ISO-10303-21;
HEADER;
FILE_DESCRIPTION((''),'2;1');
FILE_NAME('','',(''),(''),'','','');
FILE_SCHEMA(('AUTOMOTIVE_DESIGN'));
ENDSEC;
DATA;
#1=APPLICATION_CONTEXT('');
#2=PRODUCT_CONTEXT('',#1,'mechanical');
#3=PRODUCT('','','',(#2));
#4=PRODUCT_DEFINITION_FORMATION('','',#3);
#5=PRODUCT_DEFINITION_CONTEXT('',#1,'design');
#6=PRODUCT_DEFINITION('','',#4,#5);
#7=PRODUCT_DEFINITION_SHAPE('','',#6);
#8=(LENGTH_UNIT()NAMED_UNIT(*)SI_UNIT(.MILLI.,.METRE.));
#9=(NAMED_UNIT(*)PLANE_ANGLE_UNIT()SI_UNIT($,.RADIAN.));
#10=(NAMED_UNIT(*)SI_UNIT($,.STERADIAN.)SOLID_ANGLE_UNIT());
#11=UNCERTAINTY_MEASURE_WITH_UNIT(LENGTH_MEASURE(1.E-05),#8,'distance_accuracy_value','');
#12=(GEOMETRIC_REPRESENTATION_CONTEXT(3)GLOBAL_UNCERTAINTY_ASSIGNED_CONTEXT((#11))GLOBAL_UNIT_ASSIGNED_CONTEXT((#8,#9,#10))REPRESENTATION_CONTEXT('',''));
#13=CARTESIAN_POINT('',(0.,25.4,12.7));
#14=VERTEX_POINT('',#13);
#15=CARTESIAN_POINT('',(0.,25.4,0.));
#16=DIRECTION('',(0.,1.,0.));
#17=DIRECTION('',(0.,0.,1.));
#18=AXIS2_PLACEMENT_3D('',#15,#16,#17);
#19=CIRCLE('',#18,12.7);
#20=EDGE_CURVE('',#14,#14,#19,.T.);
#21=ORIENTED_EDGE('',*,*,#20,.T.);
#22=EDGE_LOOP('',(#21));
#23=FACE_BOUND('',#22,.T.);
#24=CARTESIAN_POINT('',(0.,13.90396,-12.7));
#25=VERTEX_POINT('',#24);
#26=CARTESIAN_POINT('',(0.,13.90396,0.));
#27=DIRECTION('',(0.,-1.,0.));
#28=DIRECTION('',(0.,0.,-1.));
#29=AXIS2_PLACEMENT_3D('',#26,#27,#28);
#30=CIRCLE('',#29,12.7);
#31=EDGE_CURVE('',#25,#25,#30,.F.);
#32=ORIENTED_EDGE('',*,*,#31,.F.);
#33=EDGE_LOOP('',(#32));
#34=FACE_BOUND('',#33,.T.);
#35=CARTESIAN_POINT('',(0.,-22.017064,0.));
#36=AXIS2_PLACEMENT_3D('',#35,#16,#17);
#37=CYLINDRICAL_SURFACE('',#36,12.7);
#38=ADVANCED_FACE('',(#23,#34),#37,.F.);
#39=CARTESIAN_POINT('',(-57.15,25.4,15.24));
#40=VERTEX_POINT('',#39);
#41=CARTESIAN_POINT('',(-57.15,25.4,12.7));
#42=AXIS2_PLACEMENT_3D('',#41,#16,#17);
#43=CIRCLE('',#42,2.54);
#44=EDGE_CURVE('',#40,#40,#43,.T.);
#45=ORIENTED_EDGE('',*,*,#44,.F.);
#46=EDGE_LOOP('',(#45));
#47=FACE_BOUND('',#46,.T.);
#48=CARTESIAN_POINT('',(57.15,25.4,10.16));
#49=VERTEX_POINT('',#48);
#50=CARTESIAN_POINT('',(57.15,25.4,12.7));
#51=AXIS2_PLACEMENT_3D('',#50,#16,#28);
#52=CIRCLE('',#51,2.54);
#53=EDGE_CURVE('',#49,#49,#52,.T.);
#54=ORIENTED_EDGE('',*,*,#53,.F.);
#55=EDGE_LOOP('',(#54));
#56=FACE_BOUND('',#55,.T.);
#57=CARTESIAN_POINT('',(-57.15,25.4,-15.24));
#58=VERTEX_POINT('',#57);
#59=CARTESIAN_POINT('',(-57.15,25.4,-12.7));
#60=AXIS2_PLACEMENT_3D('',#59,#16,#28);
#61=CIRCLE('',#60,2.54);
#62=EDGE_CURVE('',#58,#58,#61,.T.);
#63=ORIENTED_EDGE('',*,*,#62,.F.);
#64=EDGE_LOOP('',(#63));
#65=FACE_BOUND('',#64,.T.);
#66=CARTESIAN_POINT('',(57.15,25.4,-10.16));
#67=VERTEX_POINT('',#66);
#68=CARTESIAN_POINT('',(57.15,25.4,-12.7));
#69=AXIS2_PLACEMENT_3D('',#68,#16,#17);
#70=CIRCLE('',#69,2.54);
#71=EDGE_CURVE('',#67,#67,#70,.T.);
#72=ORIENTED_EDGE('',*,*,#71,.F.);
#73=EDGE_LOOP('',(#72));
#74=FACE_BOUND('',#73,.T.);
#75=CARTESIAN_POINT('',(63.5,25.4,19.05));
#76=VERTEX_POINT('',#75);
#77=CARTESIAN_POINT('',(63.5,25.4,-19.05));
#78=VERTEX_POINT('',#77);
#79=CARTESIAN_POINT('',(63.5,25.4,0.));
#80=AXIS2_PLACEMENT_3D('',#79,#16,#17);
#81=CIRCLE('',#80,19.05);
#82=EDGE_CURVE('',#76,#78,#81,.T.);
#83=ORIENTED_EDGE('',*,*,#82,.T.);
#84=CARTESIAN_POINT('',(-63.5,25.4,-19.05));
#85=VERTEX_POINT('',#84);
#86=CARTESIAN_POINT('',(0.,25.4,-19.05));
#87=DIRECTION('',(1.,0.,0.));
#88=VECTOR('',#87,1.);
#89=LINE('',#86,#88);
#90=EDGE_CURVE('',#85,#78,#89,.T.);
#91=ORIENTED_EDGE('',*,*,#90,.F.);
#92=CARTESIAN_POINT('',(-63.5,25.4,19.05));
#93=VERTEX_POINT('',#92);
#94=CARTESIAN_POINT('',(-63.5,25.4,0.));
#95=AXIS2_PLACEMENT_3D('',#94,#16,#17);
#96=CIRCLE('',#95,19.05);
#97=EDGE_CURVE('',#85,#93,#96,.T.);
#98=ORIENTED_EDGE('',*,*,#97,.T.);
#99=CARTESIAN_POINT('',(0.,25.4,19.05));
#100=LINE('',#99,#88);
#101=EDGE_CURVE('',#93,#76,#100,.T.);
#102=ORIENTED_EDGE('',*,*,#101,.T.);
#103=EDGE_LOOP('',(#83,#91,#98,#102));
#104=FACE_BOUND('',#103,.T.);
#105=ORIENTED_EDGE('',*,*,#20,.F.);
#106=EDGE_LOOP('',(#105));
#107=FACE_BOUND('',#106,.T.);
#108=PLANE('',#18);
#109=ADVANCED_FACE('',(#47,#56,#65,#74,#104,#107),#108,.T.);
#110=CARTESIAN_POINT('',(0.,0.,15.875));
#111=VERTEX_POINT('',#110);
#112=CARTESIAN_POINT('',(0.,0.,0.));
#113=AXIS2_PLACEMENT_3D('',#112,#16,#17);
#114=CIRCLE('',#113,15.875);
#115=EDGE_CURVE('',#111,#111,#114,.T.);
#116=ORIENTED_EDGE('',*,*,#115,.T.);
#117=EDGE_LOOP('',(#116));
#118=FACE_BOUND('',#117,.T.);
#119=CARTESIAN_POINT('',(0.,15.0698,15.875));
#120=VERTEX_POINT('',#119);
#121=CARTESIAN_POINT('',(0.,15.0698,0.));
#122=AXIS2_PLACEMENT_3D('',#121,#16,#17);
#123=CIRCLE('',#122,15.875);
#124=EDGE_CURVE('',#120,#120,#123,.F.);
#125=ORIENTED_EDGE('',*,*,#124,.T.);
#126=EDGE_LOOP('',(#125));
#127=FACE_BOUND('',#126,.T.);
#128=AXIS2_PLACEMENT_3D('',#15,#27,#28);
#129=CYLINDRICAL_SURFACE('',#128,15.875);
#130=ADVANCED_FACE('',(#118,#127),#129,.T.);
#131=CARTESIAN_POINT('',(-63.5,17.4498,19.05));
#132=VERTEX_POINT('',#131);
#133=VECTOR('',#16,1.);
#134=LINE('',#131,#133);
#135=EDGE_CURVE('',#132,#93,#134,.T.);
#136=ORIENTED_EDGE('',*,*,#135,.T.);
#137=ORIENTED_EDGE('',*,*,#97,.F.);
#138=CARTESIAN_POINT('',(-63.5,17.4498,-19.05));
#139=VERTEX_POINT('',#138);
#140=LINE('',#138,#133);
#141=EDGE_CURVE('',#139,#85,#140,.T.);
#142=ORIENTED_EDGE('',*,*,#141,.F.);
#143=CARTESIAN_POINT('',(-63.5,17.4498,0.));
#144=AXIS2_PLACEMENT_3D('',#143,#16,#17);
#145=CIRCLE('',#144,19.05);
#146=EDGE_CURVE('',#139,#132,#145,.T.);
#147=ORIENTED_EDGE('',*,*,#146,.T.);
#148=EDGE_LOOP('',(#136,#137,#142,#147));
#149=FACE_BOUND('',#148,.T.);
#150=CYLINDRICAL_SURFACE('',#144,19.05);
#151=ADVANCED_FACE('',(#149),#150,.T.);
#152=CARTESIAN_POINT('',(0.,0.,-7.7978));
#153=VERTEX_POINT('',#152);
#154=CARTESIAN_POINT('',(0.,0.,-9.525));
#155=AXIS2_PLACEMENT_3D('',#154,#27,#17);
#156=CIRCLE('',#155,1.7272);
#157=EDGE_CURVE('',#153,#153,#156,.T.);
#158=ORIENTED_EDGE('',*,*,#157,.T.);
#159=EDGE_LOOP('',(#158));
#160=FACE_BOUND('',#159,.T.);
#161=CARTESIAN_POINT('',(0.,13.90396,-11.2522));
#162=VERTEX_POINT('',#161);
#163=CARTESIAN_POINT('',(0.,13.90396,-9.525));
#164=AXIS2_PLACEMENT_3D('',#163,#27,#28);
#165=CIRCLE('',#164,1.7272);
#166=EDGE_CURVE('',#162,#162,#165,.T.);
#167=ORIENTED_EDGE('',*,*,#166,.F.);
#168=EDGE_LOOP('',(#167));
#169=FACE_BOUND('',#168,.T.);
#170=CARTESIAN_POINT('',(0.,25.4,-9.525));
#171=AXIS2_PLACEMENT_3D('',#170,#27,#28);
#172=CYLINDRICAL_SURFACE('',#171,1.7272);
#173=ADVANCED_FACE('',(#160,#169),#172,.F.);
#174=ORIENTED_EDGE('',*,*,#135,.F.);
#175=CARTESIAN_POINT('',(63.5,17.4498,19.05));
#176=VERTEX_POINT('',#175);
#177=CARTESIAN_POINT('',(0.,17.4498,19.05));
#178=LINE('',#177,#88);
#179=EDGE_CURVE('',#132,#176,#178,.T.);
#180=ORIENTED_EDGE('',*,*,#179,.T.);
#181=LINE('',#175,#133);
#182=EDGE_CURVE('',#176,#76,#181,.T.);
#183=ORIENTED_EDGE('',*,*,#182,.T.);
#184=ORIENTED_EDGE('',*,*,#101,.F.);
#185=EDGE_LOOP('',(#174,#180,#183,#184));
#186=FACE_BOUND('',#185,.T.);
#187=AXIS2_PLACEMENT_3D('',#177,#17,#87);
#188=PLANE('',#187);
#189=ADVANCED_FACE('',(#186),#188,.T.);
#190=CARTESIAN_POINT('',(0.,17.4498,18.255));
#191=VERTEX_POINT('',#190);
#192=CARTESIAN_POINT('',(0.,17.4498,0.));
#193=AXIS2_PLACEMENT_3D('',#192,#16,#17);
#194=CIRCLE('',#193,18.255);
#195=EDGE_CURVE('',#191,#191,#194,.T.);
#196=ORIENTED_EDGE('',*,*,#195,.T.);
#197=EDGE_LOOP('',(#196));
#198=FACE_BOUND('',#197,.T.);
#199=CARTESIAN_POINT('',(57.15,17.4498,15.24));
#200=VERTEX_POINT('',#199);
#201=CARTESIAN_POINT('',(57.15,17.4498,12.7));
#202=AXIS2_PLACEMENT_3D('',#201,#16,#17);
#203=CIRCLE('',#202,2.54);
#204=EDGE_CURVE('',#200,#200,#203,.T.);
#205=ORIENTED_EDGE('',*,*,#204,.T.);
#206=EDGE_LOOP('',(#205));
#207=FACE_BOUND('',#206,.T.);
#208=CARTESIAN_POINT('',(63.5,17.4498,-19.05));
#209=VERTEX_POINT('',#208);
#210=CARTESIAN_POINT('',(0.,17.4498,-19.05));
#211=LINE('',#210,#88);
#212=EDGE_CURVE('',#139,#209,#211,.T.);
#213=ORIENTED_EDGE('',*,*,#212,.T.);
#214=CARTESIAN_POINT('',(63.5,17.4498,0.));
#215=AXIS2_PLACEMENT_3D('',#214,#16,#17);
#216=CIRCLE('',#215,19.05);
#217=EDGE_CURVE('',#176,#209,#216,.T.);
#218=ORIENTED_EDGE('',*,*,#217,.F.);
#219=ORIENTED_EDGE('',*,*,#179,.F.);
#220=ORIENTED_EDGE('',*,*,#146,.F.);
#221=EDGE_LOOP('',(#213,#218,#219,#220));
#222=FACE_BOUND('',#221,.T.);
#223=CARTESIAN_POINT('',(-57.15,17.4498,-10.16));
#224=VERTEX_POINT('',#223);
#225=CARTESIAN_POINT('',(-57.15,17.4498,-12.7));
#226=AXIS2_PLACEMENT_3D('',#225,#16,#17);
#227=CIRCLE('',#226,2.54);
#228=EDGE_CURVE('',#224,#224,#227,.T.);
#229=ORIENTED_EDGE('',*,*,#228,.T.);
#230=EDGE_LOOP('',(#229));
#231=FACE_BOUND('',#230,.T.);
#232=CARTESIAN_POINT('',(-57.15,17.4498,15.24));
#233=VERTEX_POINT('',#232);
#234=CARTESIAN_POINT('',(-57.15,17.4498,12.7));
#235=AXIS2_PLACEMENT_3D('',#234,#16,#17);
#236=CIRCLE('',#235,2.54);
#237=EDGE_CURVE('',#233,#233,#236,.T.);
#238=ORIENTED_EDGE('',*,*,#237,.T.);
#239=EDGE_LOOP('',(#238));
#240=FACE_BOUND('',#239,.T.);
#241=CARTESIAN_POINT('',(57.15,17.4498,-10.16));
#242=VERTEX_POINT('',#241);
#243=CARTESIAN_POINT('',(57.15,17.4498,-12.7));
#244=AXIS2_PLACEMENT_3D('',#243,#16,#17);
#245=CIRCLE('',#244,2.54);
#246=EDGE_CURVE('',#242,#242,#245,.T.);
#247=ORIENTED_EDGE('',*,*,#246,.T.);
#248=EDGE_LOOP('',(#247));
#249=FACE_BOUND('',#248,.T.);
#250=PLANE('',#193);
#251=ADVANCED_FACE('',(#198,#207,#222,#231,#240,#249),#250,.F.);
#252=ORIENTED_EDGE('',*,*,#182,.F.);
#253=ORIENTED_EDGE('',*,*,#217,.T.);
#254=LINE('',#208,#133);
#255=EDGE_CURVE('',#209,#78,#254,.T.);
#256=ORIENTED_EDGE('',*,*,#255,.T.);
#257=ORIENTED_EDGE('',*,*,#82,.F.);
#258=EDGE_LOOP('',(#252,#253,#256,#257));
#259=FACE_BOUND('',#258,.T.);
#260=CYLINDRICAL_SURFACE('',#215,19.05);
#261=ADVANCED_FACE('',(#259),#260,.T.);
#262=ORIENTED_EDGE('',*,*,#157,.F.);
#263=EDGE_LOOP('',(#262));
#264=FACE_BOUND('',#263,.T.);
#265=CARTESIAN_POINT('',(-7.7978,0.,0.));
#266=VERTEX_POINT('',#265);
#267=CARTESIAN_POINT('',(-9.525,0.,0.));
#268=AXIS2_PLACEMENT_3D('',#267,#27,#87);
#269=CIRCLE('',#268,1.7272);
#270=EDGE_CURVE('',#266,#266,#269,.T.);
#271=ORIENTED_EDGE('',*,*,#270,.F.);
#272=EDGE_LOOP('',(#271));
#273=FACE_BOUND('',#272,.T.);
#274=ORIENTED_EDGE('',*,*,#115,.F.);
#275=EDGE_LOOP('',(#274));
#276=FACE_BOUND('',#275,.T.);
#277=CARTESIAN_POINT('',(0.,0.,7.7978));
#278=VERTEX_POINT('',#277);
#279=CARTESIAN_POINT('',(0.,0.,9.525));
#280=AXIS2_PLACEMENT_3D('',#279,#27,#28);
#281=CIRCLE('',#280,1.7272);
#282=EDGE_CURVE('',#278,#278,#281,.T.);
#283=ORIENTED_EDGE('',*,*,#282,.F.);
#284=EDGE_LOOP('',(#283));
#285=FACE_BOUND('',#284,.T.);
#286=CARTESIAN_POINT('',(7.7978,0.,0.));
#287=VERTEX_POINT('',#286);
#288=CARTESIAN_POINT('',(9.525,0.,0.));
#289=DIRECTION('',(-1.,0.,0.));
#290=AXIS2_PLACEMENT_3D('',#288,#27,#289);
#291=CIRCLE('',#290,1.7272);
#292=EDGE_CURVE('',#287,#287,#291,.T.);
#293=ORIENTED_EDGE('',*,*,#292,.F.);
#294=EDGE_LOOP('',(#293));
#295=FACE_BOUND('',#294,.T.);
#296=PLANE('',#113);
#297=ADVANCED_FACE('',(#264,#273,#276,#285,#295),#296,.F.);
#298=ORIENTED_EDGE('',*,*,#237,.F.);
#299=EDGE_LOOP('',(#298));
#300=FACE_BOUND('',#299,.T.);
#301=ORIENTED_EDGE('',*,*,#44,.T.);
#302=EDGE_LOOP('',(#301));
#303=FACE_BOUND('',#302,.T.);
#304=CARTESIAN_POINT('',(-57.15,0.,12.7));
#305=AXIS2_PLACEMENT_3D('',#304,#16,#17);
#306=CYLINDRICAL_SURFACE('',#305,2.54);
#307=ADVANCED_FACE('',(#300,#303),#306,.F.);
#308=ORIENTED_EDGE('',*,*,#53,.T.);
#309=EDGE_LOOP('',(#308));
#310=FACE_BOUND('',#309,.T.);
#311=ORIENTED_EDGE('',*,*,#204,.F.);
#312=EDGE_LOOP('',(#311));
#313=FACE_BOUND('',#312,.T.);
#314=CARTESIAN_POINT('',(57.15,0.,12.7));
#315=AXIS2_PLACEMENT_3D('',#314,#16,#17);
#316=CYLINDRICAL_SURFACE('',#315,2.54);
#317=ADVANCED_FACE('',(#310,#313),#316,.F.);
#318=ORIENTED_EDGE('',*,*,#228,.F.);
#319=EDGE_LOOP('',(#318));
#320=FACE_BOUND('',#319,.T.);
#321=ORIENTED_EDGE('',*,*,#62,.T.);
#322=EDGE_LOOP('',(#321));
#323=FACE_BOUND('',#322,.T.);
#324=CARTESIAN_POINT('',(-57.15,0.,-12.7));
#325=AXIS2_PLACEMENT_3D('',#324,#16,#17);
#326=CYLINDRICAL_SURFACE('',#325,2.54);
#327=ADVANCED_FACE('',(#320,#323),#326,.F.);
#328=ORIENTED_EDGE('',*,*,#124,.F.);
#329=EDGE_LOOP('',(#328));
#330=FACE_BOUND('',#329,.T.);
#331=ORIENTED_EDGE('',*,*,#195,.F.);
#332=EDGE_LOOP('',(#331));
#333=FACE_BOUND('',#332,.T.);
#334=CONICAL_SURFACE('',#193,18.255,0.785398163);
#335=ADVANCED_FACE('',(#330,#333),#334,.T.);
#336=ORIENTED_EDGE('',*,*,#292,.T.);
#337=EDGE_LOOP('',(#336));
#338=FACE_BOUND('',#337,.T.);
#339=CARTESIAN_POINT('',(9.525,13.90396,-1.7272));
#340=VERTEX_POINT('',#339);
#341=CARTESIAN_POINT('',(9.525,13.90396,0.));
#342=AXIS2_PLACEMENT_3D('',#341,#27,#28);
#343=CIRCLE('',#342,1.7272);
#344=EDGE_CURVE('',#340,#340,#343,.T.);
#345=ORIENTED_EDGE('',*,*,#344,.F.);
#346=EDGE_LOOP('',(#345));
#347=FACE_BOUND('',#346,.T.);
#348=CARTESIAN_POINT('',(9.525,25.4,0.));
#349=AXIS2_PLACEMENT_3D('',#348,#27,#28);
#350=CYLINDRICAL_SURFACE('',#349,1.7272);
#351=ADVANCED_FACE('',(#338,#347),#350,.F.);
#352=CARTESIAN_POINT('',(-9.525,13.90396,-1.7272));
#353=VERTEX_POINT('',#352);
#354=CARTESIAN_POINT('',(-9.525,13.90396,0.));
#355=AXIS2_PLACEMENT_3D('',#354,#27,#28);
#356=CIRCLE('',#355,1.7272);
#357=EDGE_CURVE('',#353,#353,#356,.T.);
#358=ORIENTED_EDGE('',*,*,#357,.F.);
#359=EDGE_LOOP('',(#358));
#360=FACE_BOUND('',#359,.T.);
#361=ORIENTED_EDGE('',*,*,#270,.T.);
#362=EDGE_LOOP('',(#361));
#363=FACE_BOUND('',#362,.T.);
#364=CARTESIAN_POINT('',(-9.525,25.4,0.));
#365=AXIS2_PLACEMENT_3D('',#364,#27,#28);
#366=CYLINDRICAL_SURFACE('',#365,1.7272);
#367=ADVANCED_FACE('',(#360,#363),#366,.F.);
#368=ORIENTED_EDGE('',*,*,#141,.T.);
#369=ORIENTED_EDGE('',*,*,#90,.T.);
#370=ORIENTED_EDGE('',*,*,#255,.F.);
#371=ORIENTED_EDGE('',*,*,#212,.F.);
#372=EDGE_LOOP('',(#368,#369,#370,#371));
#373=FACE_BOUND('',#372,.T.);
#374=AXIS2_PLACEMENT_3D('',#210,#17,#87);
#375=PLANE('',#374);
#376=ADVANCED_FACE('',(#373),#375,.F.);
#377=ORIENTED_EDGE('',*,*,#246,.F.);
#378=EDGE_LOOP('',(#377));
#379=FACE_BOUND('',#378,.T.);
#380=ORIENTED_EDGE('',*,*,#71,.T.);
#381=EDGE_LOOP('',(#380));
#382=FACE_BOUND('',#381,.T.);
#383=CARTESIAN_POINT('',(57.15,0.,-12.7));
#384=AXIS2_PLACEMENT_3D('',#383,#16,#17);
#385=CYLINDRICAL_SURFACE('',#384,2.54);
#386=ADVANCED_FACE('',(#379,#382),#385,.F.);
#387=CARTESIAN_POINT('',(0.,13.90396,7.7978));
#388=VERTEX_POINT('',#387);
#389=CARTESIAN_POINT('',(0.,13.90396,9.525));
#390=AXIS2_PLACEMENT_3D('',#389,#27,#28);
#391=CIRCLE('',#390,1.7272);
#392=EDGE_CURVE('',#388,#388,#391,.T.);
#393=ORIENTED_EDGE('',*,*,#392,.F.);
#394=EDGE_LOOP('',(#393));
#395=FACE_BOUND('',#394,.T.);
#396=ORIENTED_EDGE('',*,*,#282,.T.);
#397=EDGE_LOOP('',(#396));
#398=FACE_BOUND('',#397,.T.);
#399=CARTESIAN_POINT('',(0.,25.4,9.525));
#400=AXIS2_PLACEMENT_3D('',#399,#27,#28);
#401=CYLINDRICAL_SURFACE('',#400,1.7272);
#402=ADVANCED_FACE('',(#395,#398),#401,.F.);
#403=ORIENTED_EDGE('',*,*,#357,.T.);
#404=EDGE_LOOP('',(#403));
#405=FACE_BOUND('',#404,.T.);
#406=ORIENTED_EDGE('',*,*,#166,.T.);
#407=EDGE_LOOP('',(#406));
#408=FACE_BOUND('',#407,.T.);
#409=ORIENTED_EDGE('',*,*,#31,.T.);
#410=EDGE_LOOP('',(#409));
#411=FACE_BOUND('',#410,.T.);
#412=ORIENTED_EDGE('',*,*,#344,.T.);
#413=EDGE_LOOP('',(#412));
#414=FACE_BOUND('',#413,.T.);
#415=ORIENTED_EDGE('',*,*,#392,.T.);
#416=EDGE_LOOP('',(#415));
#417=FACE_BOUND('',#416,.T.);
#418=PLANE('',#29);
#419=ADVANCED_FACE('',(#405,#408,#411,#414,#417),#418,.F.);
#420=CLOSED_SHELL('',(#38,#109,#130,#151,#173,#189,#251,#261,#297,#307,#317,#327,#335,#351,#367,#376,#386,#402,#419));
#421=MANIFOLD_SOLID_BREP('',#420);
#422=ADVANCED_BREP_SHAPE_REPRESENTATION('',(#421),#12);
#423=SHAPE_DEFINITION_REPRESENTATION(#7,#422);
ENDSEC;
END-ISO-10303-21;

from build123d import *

# Parameters (mm, degrees)
SKETCH1_R           = 15.875
BOSS_EXTRUDE1_DEPTH = 25.4
CUT_EXTRUDE5_START  = -11.49604
SKETCH2_R           = 12.7
CUT_EXTRUDE5_DEPTH  = 11.49604
SKETCH3_R           = 1.7272
CUT_EXTRUDE6_DEPTH  = 26.4
CIRPATTERN3_COUNT   = 4
SKETCH6_R           = 15.875
BOSS_EXTRUDE2_DEPTH = 7.9502
SKETCH7_R           = 2.54
CUT_EXTRUDE7_DEPTH  = 26.4
CHAMFER1_SIZE       = 2.38


with BuildPart() as part:
    # Sketch1 → Boss-Extrude1 (new body)
    with BuildSketch(Plane(origin=(0, 0, 0), x_dir=(1, 0, 0), z_dir=(0, 1, 0))):
        Circle(SKETCH1_R)
    extrude(amount=BOSS_EXTRUDE1_DEPTH)

    # Sketch2 → Cut-Extrude5 (cut)
    with BuildSketch(Plane(origin=(0, 25.4, 0), x_dir=(1, 0, 0), z_dir=(0, 1, 0)).offset(CUT_EXTRUDE5_START)):
        Circle(SKETCH2_R)
    extrude(amount=CUT_EXTRUDE5_DEPTH, mode=Mode.SUBTRACT)

    # Sketch3 → Cut-Extrude6 (cut, through all)
    with BuildSketch(Plane.XZ):
        with Locations((0, 9.525)):
            Circle(SKETCH3_R)
    cut_extrude6 = extrude(amount=-CUT_EXTRUDE6_DEPTH, mode=Mode.SUBTRACT)

    # CirPattern3: Cut-Extrude6 ×4 about axis
    cirpattern3_axis = Axis((0, 0, 0), (0, 1, 0))
    for i in range(1, CIRPATTERN3_COUNT):
        add(cut_extrude6.rotate(cirpattern3_axis, i * 360 / CIRPATTERN3_COUNT), mode=Mode.SUBTRACT)

    # Sketch6 → Boss-Extrude2 (add)
    with BuildSketch(Plane(origin=(0, 25.4, 0), x_dir=(1, 0, 0), z_dir=(0, 1, 0))):
        with BuildLine():
            Line((-63.5, 19.05), (63.5, 19.05))
            ThreePointArc((63.5, 19.05), (82.55, 0), (63.5, -19.05))
            Line((63.5, -19.05), (-63.5, -19.05))
            ThreePointArc((-63.5, -19.05), (-82.55, 0), (-63.5, 19.05))
        make_face()
        Circle(SKETCH6_R, mode=Mode.SUBTRACT)
    extrude(amount=-BOSS_EXTRUDE2_DEPTH)

    # Sketch7 → Cut-Extrude7 (cut, through all)
    with BuildSketch(Plane(origin=(0, 25.4, 0), x_dir=(1, 0, 0), z_dir=(0, 1, 0))):
        with Locations((57.15, 12.7)):
            Circle(SKETCH7_R)
        with Locations((57.15, -12.7)):
            Circle(SKETCH7_R)
        with Locations((-57.15, -12.7)):
            Circle(SKETCH7_R)
        with Locations((-57.15, 12.7)):
            Circle(SKETCH7_R)
    extrude(amount=-CUT_EXTRUDE7_DEPTH, mode=Mode.SUBTRACT)

    # Chamfer1
    chamfer1_edges = [part.edges().sort_by_distance(p)[0] for p in [
        (-15.875, 17.4498, 0),
    ]]
    chamfer(chamfer1_edges, length=CHAMFER1_SIZE)


solid = part.part
